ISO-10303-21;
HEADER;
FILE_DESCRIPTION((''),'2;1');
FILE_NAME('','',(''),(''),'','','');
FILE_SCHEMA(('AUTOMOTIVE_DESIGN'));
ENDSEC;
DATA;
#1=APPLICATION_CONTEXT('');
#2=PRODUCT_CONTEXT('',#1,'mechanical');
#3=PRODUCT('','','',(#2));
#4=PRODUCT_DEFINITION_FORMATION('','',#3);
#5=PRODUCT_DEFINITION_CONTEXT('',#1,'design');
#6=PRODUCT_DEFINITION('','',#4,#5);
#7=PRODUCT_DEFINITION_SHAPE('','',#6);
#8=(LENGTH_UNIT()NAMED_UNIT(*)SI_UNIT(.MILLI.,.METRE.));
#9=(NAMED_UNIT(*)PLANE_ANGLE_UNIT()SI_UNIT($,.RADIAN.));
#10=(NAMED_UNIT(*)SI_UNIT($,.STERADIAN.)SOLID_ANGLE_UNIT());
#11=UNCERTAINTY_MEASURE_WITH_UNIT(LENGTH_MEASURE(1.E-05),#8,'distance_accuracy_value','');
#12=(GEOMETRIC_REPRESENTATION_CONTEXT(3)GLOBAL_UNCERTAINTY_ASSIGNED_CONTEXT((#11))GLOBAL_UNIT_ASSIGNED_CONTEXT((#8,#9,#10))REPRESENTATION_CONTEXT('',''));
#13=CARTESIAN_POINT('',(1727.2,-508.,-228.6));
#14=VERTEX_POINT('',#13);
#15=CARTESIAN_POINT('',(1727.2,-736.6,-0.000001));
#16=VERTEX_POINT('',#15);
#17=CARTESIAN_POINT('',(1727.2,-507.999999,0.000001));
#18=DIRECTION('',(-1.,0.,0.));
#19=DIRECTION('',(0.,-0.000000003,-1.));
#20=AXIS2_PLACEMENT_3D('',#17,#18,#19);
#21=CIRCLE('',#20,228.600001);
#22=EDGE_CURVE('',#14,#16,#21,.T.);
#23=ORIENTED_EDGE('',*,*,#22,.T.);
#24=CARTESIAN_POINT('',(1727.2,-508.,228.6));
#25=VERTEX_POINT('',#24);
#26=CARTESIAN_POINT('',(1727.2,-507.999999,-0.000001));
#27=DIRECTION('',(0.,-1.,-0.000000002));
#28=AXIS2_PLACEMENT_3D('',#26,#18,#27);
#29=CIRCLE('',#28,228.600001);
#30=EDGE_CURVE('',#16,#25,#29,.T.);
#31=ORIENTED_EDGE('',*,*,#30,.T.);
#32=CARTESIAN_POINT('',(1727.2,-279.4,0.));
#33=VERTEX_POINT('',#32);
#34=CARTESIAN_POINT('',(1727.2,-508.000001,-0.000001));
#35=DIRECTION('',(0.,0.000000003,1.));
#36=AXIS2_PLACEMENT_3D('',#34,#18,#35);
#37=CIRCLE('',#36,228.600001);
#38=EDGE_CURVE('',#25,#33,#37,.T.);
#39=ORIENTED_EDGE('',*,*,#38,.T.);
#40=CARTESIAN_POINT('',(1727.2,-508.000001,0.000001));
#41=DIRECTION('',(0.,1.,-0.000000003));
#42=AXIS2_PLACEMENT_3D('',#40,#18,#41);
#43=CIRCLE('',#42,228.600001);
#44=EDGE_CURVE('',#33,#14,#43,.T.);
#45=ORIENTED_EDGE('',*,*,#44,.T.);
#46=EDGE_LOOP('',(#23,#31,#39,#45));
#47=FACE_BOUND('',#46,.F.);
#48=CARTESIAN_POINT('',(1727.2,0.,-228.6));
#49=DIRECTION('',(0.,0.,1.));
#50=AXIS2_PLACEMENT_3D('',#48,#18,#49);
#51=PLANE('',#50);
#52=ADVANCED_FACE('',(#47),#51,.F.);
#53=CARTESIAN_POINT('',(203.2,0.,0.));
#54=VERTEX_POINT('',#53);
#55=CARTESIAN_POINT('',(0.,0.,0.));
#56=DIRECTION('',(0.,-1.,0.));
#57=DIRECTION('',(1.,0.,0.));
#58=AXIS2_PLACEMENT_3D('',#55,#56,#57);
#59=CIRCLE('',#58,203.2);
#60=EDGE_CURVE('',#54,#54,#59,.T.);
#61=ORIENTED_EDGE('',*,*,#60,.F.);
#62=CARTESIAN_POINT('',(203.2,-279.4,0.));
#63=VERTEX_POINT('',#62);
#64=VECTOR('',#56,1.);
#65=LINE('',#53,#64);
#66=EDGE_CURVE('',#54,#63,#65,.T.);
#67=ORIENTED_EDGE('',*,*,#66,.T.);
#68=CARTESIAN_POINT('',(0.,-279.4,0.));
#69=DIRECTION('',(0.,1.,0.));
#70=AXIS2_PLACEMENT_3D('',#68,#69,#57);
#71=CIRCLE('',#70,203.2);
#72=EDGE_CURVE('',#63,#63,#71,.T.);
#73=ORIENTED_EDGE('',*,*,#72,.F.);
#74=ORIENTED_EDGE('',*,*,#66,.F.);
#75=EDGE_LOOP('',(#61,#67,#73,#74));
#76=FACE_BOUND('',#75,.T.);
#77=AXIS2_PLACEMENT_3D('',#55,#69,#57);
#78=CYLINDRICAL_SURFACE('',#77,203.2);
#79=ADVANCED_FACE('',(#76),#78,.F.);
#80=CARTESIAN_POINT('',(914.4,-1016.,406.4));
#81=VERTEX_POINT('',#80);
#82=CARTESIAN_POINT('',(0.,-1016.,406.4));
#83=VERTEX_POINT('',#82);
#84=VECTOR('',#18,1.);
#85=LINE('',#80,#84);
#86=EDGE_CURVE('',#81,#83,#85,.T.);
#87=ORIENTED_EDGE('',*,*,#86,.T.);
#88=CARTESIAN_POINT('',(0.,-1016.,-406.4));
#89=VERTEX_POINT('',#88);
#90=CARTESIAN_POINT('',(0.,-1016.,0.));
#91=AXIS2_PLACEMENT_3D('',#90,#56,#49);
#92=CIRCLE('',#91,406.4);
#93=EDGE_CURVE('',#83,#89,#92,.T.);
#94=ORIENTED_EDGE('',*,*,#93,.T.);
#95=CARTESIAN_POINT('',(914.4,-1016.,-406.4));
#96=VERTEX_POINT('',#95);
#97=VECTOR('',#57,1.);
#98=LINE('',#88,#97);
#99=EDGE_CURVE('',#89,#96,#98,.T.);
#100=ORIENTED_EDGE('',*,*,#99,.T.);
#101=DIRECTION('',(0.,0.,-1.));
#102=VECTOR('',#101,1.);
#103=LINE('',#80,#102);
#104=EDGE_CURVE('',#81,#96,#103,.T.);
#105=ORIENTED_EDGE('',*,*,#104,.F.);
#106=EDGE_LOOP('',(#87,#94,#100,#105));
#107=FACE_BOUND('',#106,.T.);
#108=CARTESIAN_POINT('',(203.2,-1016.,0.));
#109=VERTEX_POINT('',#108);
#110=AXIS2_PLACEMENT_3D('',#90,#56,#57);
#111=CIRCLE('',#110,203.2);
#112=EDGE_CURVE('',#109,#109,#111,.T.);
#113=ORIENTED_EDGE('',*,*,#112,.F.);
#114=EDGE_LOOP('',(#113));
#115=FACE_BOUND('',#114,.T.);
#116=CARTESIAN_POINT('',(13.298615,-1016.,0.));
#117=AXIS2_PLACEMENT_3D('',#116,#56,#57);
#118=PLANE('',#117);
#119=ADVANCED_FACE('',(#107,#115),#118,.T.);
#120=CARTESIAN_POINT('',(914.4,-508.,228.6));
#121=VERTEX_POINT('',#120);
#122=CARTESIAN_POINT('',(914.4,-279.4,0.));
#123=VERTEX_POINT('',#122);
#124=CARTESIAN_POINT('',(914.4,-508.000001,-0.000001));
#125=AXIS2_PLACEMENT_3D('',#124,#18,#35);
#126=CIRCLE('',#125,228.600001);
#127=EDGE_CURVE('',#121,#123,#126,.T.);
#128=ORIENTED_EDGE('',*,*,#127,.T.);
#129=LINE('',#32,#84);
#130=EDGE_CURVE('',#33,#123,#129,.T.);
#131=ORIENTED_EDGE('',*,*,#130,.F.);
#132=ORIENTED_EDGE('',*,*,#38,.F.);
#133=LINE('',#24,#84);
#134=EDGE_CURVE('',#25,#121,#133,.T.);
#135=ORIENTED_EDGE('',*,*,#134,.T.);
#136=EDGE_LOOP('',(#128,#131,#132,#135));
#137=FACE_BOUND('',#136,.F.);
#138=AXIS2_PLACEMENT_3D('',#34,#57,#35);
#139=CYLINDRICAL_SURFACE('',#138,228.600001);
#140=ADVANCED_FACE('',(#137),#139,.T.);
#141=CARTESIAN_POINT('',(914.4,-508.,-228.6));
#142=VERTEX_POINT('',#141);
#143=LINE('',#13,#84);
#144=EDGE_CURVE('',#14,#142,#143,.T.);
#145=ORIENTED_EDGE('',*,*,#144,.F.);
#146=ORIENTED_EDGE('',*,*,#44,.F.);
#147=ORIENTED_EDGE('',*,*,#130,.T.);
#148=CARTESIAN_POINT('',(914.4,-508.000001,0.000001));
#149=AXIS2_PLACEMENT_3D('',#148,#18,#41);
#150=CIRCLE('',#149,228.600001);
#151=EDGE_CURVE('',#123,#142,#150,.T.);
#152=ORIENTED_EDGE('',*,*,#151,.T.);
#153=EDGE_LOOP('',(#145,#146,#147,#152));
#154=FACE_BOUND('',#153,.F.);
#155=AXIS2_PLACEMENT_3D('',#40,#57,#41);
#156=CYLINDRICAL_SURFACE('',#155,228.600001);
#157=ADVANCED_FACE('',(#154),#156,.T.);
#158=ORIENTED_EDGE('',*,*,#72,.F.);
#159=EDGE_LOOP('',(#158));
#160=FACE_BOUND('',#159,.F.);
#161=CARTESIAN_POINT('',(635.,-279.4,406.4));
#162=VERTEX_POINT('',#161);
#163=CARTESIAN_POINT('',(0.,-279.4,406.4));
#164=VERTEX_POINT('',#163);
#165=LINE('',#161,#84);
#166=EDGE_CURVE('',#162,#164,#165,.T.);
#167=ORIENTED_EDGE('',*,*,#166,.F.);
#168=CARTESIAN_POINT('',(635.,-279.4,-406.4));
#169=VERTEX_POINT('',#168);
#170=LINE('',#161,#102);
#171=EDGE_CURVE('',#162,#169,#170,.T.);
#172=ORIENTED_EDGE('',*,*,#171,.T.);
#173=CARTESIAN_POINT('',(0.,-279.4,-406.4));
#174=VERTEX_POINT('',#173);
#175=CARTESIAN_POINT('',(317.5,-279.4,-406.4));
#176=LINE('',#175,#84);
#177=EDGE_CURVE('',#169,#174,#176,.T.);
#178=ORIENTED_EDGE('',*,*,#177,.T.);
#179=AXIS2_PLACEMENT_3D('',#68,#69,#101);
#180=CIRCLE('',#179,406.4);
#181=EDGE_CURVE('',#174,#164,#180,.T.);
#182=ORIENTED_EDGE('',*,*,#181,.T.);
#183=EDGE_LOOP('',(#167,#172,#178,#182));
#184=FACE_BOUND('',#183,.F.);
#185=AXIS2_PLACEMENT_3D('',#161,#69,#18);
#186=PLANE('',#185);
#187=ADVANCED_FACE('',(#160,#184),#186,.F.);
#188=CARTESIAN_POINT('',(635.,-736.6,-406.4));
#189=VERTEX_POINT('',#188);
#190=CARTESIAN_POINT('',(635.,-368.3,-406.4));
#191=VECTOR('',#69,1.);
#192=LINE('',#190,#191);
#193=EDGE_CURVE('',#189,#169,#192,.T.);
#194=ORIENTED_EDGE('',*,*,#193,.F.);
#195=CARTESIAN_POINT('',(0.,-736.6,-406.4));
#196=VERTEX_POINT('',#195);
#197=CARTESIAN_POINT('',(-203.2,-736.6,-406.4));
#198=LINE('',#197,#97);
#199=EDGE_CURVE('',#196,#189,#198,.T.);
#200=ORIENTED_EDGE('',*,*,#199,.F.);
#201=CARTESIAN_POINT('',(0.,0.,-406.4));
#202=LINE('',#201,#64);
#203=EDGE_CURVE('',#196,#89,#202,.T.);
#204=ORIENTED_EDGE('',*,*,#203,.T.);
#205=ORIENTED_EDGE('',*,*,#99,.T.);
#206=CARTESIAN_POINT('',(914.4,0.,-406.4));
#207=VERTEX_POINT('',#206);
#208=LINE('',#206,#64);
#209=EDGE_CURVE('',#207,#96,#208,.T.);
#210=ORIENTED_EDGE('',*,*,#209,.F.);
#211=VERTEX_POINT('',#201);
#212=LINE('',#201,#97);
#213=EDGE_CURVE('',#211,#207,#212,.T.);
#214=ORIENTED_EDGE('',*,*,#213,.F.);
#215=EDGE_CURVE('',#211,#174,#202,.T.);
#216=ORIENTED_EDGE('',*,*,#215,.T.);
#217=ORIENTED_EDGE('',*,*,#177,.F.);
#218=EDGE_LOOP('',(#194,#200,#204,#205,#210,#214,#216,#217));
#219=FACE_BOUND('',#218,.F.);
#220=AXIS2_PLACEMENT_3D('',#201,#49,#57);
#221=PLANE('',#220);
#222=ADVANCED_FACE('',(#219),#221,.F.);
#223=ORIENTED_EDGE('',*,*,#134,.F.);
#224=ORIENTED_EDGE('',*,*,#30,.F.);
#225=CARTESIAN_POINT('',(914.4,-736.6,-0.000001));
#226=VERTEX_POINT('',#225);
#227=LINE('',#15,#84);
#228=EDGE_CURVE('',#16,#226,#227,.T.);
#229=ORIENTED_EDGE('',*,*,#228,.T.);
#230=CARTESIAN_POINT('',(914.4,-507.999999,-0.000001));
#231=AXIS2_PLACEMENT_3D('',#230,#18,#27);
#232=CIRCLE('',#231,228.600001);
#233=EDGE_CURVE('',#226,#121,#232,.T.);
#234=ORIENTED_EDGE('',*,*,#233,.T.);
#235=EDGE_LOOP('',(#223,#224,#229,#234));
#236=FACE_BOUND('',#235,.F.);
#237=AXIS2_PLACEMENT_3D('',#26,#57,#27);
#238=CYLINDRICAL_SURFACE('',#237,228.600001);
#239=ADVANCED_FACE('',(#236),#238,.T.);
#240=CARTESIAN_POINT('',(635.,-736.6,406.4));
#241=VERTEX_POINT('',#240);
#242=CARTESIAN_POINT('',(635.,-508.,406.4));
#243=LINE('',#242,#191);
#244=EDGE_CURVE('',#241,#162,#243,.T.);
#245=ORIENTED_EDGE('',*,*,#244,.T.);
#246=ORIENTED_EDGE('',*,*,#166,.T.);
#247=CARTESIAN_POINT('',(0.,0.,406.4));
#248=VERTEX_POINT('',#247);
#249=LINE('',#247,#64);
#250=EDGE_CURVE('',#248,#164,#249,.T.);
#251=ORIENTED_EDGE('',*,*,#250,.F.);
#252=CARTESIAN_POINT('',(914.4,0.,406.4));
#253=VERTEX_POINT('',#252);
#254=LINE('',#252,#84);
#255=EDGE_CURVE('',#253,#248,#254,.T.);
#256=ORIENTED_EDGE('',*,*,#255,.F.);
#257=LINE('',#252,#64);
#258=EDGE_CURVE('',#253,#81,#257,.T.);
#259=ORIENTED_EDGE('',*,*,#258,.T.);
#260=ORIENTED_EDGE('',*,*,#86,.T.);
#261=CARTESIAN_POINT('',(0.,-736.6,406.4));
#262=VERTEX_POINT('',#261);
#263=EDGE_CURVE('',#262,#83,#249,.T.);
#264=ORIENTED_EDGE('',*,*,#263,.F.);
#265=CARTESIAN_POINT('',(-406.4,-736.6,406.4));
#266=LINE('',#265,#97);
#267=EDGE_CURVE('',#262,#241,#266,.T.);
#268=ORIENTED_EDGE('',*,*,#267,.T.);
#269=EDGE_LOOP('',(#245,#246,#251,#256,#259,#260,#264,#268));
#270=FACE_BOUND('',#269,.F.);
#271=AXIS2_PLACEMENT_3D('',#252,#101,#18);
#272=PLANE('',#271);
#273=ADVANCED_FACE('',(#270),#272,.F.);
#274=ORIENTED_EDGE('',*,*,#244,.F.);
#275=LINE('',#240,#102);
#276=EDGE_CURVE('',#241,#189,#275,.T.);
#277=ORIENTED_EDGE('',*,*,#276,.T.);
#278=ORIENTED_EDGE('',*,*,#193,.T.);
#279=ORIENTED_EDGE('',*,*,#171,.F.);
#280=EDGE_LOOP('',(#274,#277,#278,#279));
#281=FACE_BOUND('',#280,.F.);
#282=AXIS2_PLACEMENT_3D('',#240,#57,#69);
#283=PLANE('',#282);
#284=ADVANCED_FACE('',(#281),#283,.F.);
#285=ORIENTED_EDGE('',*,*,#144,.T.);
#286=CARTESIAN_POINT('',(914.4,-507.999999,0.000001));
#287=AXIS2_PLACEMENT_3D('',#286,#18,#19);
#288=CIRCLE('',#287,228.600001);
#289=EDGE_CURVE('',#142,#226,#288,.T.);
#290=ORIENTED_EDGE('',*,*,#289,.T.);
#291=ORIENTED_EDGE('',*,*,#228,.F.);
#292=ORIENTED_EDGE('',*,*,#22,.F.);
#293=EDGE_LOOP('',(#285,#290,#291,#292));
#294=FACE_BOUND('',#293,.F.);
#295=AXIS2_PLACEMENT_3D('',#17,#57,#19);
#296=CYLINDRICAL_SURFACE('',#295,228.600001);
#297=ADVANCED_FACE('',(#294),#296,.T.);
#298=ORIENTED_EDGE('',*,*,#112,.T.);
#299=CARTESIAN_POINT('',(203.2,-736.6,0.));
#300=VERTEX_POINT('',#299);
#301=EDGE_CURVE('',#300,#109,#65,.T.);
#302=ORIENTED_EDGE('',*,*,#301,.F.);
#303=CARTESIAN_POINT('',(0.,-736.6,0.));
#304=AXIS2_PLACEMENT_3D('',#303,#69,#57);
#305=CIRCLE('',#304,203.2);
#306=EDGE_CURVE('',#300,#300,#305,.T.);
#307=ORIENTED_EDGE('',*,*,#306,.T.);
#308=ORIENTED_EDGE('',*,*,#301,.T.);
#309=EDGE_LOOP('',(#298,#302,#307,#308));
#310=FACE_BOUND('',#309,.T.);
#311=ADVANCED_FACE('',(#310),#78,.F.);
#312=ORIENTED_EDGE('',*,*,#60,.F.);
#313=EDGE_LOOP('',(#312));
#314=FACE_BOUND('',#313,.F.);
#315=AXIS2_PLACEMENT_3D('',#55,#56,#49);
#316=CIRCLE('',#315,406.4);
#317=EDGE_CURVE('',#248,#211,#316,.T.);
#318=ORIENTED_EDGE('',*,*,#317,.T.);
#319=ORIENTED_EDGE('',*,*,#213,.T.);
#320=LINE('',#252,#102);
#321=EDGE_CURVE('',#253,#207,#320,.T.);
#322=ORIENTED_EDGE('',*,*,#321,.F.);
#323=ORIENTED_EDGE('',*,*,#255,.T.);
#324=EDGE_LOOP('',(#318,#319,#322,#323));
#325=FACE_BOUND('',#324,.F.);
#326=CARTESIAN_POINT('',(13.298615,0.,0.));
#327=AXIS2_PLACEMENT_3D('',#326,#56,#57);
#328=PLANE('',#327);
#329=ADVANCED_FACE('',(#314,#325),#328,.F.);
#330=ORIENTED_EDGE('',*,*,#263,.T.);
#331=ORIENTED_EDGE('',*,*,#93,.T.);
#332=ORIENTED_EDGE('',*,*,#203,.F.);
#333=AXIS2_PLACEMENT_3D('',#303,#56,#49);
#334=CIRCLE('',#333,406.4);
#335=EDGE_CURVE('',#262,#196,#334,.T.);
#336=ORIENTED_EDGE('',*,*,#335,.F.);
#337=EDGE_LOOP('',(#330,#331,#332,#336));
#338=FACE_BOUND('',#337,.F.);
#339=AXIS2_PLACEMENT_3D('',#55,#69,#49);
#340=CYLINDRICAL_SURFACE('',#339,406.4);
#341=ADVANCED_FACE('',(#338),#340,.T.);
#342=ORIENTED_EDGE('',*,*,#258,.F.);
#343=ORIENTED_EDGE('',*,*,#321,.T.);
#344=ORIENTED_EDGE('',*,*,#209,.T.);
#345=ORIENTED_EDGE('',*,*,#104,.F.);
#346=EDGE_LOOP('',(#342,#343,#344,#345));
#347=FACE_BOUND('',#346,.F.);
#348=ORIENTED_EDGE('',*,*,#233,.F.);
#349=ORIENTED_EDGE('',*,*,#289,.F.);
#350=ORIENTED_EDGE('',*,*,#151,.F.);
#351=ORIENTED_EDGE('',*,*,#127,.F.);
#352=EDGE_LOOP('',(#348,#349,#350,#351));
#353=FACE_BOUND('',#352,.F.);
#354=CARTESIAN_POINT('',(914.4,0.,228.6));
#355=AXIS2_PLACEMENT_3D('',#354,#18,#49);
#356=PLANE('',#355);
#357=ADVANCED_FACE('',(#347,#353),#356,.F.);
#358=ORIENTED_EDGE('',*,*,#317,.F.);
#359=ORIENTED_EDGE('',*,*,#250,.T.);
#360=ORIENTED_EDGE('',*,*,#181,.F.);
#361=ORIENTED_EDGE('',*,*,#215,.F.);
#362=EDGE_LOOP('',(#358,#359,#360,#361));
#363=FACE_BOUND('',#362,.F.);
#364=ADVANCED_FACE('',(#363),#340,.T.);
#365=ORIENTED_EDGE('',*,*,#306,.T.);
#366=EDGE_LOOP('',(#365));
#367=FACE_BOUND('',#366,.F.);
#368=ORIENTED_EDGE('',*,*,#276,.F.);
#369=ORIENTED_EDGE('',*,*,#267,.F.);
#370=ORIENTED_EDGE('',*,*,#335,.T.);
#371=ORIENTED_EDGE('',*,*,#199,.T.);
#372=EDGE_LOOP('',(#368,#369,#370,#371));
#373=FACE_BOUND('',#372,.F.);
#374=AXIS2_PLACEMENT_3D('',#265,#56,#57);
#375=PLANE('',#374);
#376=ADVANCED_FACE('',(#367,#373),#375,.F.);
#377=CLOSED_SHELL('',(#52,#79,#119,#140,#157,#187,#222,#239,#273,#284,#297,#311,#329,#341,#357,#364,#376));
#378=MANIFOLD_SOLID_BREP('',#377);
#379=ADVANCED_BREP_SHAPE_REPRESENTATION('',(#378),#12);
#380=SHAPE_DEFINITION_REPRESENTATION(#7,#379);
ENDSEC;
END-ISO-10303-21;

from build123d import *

# Parameters (mm, degrees)
F0_R     = 203.2
F1_DEPTH = 1016
F2_W     = 127
F2_H     = 457.2
F3_DEPTH = 812.801
F2_W_2   = 635
F2_W_3   = 279.4
F4_DEPTH = 812.801
F5_W     = 812.8
F5_H     = 279.4
F6_DEPTH = 635.001
F8_DEPTH = 812.8


with BuildPart() as f1:
    # F0 (on Front) → F1 (new body)
    with BuildSketch(Plane.XZ):
        with BuildLine():
            ThreePointArc((0, -406.4), (287.368196, -287.368196), (406.4, 0))
            ThreePointArc((406.4, 0), (287.368196, 287.368196), (0, 406.4))
            ThreePointArc((0, 406.4), (-406.4, 0), (0, -406.4))
        make_face()
        Circle(F0_R, mode=Mode.SUBTRACT)
        with BuildLine():
            ThreePointArc((0, 406.4), (287.368196, 287.368196), (406.4, 0))
            ThreePointArc((406.4, 0), (287.368196, -287.368196), (0, -406.4))
            Line((0, -406.4), (914.4, -406.4))
            Line((914.4, -406.4), (914.4, -228.6))
            Line((914.4, -228.6), (1727.2, -228.6))
            Line((1727.2, -228.6), (1727.2, 228.6))
            Line((1727.2, 228.6), (914.4, 228.6))
            Line((914.4, 228.6), (914.4, 406.4))
            Line((914.4, 406.4), (0, 406.4))
        make_face()
    extrude(amount=F1_DEPTH)

    # F2 (on face) → F3 (cut, through all)
    with BuildSketch(Plane.XY.offset(406.4)):
        with Locations((-342.9, -508)):
            Rectangle(F2_W, F2_H)
    extrude(amount=-F3_DEPTH, mode=Mode.SUBTRACT)

    # F2 (on face) → F4 (cut, through all)
    with BuildSketch(Plane.XY.offset(406.4)):
        with Locations((317.5, -508)):
            Rectangle(F2_W_2, F2_H)
        with Locations((-139.7, -508)):
            Rectangle(F2_W_3, F2_H)
        with Locations((-342.9, -508)):
            Rectangle(F2_W, F2_H)
    extrude(amount=-F4_DEPTH, mode=Mode.SUBTRACT)

    # F5 (on face) → F6 (cut, through all)
    with BuildSketch(Plane.XY.offset(228.6)):
        with Locations((1320.8, -139.7)):
            Rectangle(F5_W, F5_H)
        with Locations((1320.8, -876.3)):
            Rectangle(F5_W, F5_H)
    extrude(amount=-F6_DEPTH, mode=Mode.SUBTRACT)

    # F7 (on face) → F8 (cut)
    with BuildSketch(Plane.YZ.offset(1727.2)):
        with BuildLine():
            ThreePointArc((-508, 228.6), (-346.35539, 161.64461), (-279.4, 0))
            Line((-279.4, 0), (-279.4, 228.6))
            Line((-279.4, 228.6), (-508, 228.6))
        make_face()
        with BuildLine():
            Line((-279.4, -228.6), (-279.4, 0))
            ThreePointArc((-279.4, 0), (-346.35539, -161.64461), (-508, -228.6))
            Line((-508, -228.6), (-279.4, -228.6))
        make_face()
        with BuildLine():
            Line((-736.6, -228.6), (-508, -228.6))
            ThreePointArc((-508, -228.6), (-669.64461, -161.64461), (-736.6, -1e-06))
            Line((-736.6, -1e-06), (-736.6, -228.6))
        make_face()
        with BuildLine():
            ThreePointArc((-736.6, -1e-06), (-669.64461, 161.64461), (-508, 228.6))
            Line((-508, 228.6), (-736.6, 228.6))
            Line((-736.6, 228.6), (-736.6, -1e-06))
        make_face()
    extrude(amount=-F8_DEPTH, mode=Mode.SUBTRACT)


solid = f1.part
